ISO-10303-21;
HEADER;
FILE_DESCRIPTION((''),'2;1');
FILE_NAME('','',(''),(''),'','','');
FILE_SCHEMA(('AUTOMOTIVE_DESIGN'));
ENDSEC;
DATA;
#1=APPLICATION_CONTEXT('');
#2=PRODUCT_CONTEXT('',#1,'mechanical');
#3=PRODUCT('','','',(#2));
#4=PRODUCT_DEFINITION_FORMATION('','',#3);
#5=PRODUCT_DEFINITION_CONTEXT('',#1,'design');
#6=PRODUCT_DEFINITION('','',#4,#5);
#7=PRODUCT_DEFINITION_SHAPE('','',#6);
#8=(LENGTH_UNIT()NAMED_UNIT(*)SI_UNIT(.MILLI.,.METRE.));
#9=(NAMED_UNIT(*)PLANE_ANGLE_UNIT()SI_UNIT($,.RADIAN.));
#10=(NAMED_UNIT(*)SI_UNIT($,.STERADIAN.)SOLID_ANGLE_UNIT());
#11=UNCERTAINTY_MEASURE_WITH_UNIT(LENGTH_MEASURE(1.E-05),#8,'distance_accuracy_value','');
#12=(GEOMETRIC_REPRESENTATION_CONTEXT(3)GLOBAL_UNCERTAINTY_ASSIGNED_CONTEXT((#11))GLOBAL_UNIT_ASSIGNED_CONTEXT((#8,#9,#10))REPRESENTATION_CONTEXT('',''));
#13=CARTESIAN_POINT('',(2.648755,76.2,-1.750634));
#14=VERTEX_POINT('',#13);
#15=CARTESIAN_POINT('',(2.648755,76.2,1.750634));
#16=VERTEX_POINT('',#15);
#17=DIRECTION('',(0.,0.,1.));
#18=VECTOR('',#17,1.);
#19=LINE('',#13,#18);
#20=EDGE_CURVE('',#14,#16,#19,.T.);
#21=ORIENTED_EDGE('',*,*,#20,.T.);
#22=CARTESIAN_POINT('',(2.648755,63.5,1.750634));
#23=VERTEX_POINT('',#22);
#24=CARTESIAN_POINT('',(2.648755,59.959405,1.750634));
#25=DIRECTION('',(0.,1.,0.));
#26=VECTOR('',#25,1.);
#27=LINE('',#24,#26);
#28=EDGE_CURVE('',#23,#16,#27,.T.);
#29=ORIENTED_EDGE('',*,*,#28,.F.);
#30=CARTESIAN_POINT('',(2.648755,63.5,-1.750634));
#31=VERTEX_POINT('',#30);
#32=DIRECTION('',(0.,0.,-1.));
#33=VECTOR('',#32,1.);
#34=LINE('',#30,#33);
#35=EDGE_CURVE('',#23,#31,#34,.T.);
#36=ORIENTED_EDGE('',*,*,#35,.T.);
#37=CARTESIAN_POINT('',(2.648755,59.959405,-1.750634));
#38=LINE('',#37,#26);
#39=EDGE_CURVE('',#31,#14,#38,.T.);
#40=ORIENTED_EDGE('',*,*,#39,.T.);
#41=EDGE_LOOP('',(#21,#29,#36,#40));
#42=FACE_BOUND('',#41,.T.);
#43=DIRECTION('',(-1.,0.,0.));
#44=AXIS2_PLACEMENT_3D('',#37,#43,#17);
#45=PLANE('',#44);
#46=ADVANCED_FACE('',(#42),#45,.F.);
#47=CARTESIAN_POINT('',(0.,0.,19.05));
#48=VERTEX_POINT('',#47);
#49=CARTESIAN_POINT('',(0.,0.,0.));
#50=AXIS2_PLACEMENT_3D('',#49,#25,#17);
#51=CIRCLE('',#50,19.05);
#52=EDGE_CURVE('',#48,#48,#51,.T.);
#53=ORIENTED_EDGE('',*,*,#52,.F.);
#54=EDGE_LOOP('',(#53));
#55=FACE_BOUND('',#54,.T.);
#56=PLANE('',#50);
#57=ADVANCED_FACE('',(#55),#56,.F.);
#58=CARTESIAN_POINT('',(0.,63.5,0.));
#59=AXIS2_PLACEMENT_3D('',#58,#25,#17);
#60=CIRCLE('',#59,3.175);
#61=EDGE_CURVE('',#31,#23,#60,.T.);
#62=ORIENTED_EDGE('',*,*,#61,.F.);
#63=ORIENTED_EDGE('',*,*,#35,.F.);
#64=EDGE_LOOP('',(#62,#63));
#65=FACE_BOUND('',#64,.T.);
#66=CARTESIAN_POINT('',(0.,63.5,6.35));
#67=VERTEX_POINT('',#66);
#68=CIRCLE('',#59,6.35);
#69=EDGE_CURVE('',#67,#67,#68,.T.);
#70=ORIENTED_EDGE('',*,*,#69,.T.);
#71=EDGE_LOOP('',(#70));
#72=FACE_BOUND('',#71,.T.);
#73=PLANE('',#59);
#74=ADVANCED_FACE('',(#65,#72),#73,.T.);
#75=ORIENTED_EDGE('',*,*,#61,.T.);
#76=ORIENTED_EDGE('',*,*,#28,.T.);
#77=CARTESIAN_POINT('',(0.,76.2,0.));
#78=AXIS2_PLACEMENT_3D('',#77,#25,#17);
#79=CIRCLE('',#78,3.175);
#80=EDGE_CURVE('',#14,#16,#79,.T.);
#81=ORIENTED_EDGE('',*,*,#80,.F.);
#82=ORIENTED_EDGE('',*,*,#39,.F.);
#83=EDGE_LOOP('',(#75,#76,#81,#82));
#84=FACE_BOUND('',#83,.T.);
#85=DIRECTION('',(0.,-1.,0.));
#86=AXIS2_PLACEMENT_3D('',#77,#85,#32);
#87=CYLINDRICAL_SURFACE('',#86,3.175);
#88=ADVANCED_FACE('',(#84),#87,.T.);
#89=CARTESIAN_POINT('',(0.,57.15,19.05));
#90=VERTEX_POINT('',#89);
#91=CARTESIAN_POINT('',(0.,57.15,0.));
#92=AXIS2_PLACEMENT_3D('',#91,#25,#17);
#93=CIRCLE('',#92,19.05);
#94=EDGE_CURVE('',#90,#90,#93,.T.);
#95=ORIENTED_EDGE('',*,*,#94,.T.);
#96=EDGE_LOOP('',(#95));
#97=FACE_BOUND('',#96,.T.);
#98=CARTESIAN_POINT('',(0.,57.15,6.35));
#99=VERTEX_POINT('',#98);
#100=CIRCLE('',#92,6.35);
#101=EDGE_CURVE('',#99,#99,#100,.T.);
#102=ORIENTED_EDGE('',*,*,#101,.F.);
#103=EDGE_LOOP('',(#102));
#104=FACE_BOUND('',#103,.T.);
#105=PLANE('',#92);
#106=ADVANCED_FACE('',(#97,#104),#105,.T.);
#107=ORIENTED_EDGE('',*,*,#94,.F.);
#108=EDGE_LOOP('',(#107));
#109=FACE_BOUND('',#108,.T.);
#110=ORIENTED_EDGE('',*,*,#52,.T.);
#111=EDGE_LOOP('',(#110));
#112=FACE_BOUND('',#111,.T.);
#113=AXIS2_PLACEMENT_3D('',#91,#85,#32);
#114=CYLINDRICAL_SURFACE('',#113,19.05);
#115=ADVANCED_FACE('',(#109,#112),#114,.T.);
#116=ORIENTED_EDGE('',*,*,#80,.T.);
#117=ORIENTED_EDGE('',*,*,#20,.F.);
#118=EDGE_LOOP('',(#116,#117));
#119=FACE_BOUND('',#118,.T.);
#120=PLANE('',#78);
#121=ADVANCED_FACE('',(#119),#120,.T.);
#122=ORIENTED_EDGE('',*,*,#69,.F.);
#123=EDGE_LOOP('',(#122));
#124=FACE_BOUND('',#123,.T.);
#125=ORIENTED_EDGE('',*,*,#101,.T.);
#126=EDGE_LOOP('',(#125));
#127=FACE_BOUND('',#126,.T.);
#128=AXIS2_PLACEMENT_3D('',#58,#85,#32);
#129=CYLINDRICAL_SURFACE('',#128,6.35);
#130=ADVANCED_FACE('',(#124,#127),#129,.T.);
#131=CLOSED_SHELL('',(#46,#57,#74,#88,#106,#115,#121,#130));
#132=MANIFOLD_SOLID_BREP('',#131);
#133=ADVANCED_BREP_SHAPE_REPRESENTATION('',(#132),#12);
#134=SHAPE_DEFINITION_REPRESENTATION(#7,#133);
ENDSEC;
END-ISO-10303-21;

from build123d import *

# Parameters (mm, degrees)
SKETCH1_R           = 19.05
BOSS_EXTRUDE1_DEPTH = 57.15
SKETCH2_R           = 6.35
BOSS_EXTRUDE2_DEPTH = 6.35
SKETCH3_R           = 3.175
BOSS_EXTRUDE3_DEPTH = 12.7
CUT_EXTRUDE1_START  = -12.7
CUT_EXTRUDE1_DEPTH  = 12.7


with BuildPart() as part:
    # Sketch1 → Boss-Extrude1 (new body)
    with BuildSketch(Plane(origin=(0, 0, 0), x_dir=(1, 0, 0), z_dir=(0, 1, 0))):
        with Locations(Location((0, 0, 0), (0, 0, 270))):
            Circle(SKETCH1_R)
    extrude(amount=BOSS_EXTRUDE1_DEPTH)

    # Sketch2 → Boss-Extrude2 (add)
    with BuildSketch(Plane(origin=(0, 57.15, 0), x_dir=(1, 0, 0), z_dir=(0, 1, 0))):
        with Locations(Location((0, 0, 0), (0, 0, 270))):
            Circle(SKETCH2_R)
    extrude(amount=BOSS_EXTRUDE2_DEPTH)

    # Sketch3 → Boss-Extrude3 (add)
    with BuildSketch(Plane(origin=(0, 63.5, 0), x_dir=(1, 0, 0), z_dir=(0, 1, 0))):
        with Locations(Location((0, 0, 0), (0, 0, 270))):
            Circle(SKETCH3_R)
    extrude(amount=BOSS_EXTRUDE3_DEPTH)

    # Sketch4 → Cut-Extrude1 (cut)
    with BuildSketch(Plane(origin=(0, 76.2, 0), x_dir=(1, 0, 0), z_dir=(0, 1, 0)).offset(CUT_EXTRUDE1_START)):
        with BuildLine():
            Line((2.648755319, 1.750634245), (2.648755319, -1.750634245))
            ThreePointArc((2.648755319, -1.750634245), (3.175, 0), (2.648755319, 1.750634245))
        make_face()
    extrude(amount=CUT_EXTRUDE1_DEPTH, mode=Mode.SUBTRACT)


solid = part.part
